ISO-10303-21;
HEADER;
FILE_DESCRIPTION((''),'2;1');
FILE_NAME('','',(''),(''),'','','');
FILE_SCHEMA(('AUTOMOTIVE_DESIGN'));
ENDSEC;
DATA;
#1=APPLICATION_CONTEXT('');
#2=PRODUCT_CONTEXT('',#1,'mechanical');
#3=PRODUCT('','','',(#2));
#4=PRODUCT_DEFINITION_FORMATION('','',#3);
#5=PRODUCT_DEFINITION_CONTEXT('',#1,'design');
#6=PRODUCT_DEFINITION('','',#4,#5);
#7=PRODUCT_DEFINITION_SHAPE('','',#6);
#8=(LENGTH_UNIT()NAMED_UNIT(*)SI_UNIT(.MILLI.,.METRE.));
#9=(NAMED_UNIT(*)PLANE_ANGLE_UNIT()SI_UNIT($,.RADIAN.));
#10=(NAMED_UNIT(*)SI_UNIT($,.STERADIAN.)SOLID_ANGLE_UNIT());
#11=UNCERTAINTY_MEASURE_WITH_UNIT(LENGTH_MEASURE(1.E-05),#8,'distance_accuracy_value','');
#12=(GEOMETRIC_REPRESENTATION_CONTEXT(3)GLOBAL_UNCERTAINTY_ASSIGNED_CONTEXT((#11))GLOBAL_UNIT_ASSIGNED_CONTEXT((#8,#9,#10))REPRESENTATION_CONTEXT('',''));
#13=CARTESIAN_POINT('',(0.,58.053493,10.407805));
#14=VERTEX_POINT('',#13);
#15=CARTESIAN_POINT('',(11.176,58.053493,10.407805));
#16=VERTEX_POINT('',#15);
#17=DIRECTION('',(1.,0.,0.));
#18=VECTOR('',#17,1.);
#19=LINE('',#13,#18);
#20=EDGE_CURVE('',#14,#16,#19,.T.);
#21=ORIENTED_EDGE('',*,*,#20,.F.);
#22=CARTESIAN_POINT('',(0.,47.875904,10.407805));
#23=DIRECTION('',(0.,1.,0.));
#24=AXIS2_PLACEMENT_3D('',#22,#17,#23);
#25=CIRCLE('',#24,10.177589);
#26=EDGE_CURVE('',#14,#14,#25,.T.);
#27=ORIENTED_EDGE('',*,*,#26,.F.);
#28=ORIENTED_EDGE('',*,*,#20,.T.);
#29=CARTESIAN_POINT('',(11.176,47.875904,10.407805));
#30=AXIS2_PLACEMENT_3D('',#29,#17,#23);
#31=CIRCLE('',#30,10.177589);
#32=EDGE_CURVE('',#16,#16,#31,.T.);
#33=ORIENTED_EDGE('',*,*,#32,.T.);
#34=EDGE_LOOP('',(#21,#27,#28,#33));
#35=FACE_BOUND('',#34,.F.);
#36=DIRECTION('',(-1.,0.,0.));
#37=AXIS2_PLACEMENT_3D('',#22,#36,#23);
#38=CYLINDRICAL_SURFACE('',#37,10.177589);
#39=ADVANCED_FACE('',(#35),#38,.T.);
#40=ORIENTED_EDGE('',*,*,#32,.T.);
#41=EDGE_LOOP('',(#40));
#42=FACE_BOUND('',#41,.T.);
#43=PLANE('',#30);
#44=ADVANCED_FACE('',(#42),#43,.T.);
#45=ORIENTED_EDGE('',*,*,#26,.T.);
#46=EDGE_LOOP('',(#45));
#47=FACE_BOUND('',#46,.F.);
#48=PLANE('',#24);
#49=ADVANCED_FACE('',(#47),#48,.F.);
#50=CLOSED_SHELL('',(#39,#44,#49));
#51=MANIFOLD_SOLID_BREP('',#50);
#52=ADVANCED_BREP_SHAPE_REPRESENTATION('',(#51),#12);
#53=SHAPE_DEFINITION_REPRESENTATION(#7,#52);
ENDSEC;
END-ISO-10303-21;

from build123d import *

# Parameters (mm, degrees)
F0_R     = 10.177589
F1_DEPTH = 11.176
F2_R     = 10.040254
F3_DEPTH = 11.176


with BuildPart() as f1:
    # F0 (on Right) → F1 (new body)
    with BuildSketch(Plane.YZ):
        with Locations((47.875904, 10.407805)):
            Circle(F0_R)
    extrude(amount=F1_DEPTH)


with BuildPart() as f3:
    # F2 (on Right) → F3 (new body)
    with BuildSketch(Plane.YZ):
        with Locations((-41.587934, 10.073202)):
            Circle(F2_R)
    extrude(amount=F3_DEPTH)


solid = f1.part
